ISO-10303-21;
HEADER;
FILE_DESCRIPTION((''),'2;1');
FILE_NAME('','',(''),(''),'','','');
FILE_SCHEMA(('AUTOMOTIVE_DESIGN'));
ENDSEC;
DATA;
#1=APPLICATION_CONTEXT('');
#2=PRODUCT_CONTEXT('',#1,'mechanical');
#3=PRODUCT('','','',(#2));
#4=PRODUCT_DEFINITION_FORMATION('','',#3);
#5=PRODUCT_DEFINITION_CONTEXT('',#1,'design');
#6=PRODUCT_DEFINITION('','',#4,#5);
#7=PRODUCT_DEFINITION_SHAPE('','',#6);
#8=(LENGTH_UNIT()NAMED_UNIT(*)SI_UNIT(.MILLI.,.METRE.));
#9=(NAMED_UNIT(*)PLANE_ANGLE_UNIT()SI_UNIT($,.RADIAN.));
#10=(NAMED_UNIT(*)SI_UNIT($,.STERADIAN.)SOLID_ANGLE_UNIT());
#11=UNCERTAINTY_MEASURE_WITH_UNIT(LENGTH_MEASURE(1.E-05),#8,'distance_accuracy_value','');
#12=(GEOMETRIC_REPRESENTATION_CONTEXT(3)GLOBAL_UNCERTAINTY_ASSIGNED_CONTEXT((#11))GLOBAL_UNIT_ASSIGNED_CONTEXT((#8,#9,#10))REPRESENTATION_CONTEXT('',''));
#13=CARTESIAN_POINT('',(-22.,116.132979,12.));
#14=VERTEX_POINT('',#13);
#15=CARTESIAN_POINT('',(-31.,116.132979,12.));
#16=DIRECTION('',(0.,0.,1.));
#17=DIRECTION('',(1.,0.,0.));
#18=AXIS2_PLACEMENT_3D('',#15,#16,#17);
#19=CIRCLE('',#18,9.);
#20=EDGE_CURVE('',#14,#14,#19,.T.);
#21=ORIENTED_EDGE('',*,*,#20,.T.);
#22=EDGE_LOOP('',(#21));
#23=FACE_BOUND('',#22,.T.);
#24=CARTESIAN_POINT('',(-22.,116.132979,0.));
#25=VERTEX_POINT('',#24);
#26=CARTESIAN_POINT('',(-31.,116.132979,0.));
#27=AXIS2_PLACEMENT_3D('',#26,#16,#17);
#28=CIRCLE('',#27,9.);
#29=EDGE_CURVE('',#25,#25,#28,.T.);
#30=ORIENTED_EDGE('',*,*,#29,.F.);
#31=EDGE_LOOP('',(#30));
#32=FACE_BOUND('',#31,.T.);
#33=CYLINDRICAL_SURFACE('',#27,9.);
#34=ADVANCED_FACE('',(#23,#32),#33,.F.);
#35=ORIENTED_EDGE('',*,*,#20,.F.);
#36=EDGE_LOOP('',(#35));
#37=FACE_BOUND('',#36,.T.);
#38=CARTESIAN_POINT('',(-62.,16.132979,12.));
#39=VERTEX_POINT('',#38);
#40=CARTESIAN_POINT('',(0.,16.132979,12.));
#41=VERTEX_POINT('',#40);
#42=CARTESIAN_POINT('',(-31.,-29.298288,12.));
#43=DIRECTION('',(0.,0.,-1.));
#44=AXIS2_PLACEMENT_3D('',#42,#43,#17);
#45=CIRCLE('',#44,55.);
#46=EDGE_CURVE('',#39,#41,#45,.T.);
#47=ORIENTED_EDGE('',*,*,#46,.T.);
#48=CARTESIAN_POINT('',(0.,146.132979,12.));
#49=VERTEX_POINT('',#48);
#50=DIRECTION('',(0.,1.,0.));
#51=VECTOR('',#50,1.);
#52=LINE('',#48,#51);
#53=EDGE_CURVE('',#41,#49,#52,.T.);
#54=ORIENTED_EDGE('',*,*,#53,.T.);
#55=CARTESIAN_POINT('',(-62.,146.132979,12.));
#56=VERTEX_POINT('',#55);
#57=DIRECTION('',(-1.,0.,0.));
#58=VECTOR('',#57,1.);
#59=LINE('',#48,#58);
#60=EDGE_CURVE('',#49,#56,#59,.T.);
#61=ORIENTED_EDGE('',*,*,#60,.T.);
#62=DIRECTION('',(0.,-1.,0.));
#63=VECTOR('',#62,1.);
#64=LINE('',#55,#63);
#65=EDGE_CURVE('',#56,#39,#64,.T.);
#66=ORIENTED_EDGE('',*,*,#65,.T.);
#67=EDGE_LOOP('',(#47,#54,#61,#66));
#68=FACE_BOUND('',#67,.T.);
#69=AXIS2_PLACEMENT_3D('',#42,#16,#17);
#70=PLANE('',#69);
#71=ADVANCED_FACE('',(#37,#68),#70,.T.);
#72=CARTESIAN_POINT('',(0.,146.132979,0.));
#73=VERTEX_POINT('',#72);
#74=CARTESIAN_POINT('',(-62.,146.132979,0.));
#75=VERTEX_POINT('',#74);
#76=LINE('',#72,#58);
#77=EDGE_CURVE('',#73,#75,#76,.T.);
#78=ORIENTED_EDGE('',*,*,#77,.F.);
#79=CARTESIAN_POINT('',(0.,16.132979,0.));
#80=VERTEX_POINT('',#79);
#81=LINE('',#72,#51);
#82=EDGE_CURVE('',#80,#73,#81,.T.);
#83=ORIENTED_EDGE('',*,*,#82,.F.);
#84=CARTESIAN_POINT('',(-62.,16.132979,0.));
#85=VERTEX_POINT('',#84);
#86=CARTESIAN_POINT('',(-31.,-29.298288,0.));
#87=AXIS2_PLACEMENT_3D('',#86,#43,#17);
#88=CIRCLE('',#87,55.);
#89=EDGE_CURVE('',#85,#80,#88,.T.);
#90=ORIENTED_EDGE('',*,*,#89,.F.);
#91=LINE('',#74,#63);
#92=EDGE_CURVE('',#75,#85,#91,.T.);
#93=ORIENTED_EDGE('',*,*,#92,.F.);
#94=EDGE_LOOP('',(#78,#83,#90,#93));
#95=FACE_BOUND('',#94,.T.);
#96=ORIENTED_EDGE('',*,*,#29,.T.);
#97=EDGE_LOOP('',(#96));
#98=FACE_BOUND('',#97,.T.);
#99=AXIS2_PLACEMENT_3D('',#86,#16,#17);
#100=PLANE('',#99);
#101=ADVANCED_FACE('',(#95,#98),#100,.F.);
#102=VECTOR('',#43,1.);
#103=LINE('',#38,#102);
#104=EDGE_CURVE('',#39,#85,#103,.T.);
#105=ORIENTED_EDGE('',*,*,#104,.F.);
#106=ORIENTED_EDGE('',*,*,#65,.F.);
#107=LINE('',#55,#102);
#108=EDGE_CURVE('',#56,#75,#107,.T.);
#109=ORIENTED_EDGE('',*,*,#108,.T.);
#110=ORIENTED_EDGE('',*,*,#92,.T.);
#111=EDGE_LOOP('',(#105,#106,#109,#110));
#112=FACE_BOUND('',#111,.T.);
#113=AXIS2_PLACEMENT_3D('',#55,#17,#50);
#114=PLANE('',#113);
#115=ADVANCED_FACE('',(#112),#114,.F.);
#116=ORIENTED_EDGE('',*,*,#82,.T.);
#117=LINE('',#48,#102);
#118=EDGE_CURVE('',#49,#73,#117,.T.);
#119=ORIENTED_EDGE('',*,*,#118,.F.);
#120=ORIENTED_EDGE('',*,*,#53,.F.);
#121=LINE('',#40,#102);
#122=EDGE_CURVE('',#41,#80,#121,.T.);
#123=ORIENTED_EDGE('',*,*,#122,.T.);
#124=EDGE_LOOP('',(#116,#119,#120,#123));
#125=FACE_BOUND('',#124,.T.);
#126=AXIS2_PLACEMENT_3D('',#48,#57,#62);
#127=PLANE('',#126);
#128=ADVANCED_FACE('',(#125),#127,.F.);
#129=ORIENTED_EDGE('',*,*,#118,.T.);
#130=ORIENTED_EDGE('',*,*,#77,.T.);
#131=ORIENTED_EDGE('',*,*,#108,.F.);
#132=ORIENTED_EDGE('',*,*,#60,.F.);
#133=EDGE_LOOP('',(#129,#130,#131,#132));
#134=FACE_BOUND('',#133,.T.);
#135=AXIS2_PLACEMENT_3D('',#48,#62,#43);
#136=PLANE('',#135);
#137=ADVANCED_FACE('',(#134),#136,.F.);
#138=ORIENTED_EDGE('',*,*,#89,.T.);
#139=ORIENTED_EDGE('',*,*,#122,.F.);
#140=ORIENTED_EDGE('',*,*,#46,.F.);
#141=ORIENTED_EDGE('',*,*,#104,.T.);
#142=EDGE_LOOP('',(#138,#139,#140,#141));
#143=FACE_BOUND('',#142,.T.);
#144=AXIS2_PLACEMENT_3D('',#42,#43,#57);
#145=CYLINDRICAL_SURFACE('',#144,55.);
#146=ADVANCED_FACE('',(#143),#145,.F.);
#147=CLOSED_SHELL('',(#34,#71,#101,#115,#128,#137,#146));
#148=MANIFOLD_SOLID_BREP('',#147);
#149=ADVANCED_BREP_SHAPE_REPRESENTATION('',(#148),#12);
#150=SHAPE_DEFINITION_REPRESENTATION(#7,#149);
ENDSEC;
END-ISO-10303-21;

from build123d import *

# Parameters (mm, degrees)
BOSS_EXTRUDE1_DEPTH = 12
SKETCH2_R           = 9
CUT_EXTRUDE1_DEPTH  = 12


with BuildPart() as part:
    # Sketch1 → Boss-Extrude1 (new body)
    with BuildSketch(Plane.XY):
        with BuildLine():
            Line((0, 146.132978723), (-62, 146.132978723))
            Line((-62, 146.132978723), (-62, 16.132978723))
            ThreePointArc((-62, 16.132978723), (-31, 25.701711957), (0, 16.132978723))
            Line((0, 16.132978723), (0, 146.132978723))
        make_face()
    extrude(amount=BOSS_EXTRUDE1_DEPTH)

    # Sketch2 → Cut-Extrude1 (cut)
    with BuildSketch(Plane.XY.offset(12)):
        with Locations((-31, 116.132978723)):
            Circle(SKETCH2_R)
    extrude(amount=-CUT_EXTRUDE1_DEPTH, mode=Mode.SUBTRACT)


solid = part.part
